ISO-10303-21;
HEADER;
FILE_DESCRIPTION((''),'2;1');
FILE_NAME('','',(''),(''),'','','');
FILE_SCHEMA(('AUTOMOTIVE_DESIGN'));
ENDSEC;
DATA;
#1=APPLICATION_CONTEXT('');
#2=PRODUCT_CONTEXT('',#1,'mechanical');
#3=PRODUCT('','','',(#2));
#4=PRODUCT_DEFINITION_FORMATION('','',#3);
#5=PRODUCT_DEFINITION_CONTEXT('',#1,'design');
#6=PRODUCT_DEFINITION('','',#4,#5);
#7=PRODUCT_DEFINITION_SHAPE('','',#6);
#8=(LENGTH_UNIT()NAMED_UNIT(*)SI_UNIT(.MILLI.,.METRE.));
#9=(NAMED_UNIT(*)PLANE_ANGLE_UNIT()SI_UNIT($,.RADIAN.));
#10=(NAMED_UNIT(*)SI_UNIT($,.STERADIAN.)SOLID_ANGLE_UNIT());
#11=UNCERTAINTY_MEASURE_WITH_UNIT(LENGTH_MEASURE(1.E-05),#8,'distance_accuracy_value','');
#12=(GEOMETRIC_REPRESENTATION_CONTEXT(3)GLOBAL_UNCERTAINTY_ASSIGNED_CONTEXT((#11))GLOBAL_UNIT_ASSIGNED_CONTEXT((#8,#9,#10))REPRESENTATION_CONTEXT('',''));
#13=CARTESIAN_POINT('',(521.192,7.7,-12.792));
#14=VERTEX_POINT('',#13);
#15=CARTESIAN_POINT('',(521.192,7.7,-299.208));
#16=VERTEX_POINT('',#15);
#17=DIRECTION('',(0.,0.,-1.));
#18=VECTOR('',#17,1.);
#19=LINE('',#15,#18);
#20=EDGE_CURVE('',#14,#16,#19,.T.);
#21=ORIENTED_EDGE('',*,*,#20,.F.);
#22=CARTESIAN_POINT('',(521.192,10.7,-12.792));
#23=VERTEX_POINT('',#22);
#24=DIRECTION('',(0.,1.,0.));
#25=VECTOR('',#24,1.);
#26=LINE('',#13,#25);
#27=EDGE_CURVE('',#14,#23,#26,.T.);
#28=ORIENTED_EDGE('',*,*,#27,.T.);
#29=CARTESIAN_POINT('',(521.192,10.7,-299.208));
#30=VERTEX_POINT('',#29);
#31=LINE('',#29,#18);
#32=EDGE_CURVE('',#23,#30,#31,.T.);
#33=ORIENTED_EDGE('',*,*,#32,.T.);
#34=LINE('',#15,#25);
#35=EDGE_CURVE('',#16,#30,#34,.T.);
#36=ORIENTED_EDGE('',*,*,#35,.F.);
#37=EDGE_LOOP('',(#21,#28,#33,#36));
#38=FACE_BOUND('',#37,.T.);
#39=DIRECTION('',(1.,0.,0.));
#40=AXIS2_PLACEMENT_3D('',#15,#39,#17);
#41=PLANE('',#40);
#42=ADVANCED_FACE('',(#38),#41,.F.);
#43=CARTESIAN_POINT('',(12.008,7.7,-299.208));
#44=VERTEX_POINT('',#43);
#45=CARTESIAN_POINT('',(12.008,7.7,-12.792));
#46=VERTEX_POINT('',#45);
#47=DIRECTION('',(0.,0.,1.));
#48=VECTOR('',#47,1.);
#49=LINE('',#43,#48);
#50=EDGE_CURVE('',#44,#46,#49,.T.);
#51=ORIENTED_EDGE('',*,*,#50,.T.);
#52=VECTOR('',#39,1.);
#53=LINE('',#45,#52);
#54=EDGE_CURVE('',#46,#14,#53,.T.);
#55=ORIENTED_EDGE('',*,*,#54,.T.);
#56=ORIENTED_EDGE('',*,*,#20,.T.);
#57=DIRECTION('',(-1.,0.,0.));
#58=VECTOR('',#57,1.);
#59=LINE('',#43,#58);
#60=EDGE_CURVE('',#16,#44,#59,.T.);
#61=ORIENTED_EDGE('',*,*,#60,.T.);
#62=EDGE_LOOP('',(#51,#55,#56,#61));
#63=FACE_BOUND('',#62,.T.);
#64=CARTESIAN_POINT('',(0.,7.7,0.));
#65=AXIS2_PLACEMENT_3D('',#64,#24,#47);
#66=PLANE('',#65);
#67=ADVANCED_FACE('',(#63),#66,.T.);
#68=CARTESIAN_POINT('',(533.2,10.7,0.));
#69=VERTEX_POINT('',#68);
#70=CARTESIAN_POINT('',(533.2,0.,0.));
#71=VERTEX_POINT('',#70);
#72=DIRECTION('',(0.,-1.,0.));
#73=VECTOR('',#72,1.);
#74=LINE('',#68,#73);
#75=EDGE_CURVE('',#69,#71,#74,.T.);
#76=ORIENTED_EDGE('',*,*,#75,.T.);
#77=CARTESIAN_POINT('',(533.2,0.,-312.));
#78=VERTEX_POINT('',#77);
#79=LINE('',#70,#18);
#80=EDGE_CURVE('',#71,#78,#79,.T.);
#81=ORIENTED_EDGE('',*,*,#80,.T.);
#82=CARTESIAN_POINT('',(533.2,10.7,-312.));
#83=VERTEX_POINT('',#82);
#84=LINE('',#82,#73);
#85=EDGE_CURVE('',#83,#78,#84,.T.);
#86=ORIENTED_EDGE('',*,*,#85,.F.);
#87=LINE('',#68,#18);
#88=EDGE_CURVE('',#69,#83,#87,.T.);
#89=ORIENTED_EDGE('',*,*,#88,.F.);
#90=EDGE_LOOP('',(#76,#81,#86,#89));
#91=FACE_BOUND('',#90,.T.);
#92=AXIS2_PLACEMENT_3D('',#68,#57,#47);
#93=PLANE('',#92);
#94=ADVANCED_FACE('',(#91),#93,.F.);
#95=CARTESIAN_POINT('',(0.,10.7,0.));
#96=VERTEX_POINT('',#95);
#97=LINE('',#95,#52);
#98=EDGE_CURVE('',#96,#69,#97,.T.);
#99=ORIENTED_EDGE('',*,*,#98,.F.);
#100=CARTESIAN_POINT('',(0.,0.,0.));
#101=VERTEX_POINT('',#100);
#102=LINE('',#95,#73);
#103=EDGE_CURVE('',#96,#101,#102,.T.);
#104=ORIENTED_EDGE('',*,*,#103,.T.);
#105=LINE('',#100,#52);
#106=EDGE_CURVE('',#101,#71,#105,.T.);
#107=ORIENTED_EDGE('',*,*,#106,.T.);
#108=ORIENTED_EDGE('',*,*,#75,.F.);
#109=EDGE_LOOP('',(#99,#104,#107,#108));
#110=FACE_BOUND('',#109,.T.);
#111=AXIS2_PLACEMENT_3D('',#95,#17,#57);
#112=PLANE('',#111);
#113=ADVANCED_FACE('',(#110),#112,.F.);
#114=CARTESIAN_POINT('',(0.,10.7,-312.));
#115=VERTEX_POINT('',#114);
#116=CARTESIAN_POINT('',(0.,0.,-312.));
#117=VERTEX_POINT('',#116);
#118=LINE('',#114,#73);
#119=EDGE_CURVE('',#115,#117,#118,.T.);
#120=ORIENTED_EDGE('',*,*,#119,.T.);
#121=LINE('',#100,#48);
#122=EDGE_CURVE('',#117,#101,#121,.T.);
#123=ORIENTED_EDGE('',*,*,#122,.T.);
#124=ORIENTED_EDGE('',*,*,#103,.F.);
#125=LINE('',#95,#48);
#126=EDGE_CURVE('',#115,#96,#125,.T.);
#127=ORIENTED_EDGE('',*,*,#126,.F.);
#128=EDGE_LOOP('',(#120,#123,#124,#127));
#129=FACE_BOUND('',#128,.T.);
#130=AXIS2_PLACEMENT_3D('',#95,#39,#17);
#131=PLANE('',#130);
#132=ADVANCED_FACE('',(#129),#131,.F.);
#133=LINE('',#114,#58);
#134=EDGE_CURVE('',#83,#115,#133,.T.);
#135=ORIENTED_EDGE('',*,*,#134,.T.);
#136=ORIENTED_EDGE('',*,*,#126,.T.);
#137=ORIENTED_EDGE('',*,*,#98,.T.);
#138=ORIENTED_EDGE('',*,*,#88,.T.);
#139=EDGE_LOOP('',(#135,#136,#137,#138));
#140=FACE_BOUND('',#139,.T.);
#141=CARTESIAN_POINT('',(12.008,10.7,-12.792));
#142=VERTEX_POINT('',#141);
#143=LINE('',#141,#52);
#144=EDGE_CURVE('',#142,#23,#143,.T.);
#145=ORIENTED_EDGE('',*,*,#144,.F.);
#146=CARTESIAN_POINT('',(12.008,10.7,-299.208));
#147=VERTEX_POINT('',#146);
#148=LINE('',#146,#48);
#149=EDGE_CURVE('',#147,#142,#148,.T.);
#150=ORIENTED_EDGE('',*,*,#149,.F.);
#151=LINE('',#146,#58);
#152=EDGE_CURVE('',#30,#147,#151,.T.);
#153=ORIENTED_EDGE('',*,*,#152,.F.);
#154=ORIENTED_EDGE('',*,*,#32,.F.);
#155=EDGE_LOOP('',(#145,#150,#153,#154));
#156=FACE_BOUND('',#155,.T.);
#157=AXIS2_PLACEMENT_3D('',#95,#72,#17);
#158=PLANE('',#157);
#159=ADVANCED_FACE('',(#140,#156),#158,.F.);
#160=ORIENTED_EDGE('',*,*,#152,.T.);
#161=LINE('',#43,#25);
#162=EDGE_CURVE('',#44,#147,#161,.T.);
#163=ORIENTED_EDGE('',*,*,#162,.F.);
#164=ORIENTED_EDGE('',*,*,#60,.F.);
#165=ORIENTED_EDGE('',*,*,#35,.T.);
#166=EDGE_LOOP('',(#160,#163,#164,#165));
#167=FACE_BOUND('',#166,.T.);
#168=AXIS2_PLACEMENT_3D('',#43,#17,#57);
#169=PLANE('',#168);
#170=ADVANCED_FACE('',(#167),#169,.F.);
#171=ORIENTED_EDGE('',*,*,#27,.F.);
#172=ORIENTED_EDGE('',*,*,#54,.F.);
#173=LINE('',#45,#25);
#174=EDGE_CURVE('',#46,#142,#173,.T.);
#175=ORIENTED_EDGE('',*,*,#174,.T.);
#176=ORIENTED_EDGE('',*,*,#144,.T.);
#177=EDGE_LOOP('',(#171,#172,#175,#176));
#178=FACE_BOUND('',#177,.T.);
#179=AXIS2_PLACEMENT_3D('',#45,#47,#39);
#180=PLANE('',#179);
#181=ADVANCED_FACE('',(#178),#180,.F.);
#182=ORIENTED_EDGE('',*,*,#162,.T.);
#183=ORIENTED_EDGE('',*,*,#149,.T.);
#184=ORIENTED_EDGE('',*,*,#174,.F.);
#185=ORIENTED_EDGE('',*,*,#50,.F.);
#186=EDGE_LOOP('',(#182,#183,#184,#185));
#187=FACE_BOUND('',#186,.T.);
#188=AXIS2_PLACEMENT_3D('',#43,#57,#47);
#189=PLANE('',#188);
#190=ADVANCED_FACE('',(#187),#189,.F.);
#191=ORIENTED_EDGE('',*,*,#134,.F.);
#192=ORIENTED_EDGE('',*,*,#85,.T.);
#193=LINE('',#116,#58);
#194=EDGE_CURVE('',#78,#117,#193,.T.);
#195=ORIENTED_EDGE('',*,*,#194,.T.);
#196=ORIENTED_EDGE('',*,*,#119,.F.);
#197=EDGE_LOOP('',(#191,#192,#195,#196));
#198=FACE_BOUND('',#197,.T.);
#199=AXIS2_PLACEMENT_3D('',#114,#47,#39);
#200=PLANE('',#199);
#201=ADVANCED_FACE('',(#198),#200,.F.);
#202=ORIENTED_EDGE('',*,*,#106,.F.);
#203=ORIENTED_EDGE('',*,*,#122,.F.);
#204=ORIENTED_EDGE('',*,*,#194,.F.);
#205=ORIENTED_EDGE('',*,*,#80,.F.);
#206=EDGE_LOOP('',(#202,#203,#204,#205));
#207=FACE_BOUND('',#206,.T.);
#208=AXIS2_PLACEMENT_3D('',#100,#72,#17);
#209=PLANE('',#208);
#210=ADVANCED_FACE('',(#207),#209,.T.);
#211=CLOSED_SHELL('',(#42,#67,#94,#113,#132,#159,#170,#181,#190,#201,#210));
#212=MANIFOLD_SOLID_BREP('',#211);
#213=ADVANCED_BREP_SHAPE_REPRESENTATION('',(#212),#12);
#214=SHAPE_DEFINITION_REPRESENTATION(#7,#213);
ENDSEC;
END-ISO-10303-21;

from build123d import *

# Parameters (mm, degrees)
CROQUIS1_W              = 533.2
CROQUIS1_H              = 312
SALIENTE_EXTRUIR1_DEPTH = 10.7
CROQUIS2_W              = 509.184
CROQUIS2_H              = 286.416
CORTAR_EXTRUIR1_DEPTH   = 3


with BuildPart() as part:
    # Croquis1 → Saliente-Extruir1 (new body)
    with BuildSketch(Plane(origin=(0, 0, 0), x_dir=(1, 0, 0), z_dir=(0, 1, 0))):
        with Locations((266.6, 156)):
            Rectangle(CROQUIS1_W, CROQUIS1_H)
    extrude(amount=SALIENTE_EXTRUIR1_DEPTH)

    # Croquis2 → Cortar-Extruir1 (cut)
    with BuildSketch(Plane(origin=(0, 10.7, 0), x_dir=(1, 0, 0), z_dir=(0, 1, 0))):
        with Locations((266.6, 156)):
            Rectangle(CROQUIS2_W, CROQUIS2_H)
    extrude(amount=-CORTAR_EXTRUIR1_DEPTH, mode=Mode.SUBTRACT)


solid = part.part
